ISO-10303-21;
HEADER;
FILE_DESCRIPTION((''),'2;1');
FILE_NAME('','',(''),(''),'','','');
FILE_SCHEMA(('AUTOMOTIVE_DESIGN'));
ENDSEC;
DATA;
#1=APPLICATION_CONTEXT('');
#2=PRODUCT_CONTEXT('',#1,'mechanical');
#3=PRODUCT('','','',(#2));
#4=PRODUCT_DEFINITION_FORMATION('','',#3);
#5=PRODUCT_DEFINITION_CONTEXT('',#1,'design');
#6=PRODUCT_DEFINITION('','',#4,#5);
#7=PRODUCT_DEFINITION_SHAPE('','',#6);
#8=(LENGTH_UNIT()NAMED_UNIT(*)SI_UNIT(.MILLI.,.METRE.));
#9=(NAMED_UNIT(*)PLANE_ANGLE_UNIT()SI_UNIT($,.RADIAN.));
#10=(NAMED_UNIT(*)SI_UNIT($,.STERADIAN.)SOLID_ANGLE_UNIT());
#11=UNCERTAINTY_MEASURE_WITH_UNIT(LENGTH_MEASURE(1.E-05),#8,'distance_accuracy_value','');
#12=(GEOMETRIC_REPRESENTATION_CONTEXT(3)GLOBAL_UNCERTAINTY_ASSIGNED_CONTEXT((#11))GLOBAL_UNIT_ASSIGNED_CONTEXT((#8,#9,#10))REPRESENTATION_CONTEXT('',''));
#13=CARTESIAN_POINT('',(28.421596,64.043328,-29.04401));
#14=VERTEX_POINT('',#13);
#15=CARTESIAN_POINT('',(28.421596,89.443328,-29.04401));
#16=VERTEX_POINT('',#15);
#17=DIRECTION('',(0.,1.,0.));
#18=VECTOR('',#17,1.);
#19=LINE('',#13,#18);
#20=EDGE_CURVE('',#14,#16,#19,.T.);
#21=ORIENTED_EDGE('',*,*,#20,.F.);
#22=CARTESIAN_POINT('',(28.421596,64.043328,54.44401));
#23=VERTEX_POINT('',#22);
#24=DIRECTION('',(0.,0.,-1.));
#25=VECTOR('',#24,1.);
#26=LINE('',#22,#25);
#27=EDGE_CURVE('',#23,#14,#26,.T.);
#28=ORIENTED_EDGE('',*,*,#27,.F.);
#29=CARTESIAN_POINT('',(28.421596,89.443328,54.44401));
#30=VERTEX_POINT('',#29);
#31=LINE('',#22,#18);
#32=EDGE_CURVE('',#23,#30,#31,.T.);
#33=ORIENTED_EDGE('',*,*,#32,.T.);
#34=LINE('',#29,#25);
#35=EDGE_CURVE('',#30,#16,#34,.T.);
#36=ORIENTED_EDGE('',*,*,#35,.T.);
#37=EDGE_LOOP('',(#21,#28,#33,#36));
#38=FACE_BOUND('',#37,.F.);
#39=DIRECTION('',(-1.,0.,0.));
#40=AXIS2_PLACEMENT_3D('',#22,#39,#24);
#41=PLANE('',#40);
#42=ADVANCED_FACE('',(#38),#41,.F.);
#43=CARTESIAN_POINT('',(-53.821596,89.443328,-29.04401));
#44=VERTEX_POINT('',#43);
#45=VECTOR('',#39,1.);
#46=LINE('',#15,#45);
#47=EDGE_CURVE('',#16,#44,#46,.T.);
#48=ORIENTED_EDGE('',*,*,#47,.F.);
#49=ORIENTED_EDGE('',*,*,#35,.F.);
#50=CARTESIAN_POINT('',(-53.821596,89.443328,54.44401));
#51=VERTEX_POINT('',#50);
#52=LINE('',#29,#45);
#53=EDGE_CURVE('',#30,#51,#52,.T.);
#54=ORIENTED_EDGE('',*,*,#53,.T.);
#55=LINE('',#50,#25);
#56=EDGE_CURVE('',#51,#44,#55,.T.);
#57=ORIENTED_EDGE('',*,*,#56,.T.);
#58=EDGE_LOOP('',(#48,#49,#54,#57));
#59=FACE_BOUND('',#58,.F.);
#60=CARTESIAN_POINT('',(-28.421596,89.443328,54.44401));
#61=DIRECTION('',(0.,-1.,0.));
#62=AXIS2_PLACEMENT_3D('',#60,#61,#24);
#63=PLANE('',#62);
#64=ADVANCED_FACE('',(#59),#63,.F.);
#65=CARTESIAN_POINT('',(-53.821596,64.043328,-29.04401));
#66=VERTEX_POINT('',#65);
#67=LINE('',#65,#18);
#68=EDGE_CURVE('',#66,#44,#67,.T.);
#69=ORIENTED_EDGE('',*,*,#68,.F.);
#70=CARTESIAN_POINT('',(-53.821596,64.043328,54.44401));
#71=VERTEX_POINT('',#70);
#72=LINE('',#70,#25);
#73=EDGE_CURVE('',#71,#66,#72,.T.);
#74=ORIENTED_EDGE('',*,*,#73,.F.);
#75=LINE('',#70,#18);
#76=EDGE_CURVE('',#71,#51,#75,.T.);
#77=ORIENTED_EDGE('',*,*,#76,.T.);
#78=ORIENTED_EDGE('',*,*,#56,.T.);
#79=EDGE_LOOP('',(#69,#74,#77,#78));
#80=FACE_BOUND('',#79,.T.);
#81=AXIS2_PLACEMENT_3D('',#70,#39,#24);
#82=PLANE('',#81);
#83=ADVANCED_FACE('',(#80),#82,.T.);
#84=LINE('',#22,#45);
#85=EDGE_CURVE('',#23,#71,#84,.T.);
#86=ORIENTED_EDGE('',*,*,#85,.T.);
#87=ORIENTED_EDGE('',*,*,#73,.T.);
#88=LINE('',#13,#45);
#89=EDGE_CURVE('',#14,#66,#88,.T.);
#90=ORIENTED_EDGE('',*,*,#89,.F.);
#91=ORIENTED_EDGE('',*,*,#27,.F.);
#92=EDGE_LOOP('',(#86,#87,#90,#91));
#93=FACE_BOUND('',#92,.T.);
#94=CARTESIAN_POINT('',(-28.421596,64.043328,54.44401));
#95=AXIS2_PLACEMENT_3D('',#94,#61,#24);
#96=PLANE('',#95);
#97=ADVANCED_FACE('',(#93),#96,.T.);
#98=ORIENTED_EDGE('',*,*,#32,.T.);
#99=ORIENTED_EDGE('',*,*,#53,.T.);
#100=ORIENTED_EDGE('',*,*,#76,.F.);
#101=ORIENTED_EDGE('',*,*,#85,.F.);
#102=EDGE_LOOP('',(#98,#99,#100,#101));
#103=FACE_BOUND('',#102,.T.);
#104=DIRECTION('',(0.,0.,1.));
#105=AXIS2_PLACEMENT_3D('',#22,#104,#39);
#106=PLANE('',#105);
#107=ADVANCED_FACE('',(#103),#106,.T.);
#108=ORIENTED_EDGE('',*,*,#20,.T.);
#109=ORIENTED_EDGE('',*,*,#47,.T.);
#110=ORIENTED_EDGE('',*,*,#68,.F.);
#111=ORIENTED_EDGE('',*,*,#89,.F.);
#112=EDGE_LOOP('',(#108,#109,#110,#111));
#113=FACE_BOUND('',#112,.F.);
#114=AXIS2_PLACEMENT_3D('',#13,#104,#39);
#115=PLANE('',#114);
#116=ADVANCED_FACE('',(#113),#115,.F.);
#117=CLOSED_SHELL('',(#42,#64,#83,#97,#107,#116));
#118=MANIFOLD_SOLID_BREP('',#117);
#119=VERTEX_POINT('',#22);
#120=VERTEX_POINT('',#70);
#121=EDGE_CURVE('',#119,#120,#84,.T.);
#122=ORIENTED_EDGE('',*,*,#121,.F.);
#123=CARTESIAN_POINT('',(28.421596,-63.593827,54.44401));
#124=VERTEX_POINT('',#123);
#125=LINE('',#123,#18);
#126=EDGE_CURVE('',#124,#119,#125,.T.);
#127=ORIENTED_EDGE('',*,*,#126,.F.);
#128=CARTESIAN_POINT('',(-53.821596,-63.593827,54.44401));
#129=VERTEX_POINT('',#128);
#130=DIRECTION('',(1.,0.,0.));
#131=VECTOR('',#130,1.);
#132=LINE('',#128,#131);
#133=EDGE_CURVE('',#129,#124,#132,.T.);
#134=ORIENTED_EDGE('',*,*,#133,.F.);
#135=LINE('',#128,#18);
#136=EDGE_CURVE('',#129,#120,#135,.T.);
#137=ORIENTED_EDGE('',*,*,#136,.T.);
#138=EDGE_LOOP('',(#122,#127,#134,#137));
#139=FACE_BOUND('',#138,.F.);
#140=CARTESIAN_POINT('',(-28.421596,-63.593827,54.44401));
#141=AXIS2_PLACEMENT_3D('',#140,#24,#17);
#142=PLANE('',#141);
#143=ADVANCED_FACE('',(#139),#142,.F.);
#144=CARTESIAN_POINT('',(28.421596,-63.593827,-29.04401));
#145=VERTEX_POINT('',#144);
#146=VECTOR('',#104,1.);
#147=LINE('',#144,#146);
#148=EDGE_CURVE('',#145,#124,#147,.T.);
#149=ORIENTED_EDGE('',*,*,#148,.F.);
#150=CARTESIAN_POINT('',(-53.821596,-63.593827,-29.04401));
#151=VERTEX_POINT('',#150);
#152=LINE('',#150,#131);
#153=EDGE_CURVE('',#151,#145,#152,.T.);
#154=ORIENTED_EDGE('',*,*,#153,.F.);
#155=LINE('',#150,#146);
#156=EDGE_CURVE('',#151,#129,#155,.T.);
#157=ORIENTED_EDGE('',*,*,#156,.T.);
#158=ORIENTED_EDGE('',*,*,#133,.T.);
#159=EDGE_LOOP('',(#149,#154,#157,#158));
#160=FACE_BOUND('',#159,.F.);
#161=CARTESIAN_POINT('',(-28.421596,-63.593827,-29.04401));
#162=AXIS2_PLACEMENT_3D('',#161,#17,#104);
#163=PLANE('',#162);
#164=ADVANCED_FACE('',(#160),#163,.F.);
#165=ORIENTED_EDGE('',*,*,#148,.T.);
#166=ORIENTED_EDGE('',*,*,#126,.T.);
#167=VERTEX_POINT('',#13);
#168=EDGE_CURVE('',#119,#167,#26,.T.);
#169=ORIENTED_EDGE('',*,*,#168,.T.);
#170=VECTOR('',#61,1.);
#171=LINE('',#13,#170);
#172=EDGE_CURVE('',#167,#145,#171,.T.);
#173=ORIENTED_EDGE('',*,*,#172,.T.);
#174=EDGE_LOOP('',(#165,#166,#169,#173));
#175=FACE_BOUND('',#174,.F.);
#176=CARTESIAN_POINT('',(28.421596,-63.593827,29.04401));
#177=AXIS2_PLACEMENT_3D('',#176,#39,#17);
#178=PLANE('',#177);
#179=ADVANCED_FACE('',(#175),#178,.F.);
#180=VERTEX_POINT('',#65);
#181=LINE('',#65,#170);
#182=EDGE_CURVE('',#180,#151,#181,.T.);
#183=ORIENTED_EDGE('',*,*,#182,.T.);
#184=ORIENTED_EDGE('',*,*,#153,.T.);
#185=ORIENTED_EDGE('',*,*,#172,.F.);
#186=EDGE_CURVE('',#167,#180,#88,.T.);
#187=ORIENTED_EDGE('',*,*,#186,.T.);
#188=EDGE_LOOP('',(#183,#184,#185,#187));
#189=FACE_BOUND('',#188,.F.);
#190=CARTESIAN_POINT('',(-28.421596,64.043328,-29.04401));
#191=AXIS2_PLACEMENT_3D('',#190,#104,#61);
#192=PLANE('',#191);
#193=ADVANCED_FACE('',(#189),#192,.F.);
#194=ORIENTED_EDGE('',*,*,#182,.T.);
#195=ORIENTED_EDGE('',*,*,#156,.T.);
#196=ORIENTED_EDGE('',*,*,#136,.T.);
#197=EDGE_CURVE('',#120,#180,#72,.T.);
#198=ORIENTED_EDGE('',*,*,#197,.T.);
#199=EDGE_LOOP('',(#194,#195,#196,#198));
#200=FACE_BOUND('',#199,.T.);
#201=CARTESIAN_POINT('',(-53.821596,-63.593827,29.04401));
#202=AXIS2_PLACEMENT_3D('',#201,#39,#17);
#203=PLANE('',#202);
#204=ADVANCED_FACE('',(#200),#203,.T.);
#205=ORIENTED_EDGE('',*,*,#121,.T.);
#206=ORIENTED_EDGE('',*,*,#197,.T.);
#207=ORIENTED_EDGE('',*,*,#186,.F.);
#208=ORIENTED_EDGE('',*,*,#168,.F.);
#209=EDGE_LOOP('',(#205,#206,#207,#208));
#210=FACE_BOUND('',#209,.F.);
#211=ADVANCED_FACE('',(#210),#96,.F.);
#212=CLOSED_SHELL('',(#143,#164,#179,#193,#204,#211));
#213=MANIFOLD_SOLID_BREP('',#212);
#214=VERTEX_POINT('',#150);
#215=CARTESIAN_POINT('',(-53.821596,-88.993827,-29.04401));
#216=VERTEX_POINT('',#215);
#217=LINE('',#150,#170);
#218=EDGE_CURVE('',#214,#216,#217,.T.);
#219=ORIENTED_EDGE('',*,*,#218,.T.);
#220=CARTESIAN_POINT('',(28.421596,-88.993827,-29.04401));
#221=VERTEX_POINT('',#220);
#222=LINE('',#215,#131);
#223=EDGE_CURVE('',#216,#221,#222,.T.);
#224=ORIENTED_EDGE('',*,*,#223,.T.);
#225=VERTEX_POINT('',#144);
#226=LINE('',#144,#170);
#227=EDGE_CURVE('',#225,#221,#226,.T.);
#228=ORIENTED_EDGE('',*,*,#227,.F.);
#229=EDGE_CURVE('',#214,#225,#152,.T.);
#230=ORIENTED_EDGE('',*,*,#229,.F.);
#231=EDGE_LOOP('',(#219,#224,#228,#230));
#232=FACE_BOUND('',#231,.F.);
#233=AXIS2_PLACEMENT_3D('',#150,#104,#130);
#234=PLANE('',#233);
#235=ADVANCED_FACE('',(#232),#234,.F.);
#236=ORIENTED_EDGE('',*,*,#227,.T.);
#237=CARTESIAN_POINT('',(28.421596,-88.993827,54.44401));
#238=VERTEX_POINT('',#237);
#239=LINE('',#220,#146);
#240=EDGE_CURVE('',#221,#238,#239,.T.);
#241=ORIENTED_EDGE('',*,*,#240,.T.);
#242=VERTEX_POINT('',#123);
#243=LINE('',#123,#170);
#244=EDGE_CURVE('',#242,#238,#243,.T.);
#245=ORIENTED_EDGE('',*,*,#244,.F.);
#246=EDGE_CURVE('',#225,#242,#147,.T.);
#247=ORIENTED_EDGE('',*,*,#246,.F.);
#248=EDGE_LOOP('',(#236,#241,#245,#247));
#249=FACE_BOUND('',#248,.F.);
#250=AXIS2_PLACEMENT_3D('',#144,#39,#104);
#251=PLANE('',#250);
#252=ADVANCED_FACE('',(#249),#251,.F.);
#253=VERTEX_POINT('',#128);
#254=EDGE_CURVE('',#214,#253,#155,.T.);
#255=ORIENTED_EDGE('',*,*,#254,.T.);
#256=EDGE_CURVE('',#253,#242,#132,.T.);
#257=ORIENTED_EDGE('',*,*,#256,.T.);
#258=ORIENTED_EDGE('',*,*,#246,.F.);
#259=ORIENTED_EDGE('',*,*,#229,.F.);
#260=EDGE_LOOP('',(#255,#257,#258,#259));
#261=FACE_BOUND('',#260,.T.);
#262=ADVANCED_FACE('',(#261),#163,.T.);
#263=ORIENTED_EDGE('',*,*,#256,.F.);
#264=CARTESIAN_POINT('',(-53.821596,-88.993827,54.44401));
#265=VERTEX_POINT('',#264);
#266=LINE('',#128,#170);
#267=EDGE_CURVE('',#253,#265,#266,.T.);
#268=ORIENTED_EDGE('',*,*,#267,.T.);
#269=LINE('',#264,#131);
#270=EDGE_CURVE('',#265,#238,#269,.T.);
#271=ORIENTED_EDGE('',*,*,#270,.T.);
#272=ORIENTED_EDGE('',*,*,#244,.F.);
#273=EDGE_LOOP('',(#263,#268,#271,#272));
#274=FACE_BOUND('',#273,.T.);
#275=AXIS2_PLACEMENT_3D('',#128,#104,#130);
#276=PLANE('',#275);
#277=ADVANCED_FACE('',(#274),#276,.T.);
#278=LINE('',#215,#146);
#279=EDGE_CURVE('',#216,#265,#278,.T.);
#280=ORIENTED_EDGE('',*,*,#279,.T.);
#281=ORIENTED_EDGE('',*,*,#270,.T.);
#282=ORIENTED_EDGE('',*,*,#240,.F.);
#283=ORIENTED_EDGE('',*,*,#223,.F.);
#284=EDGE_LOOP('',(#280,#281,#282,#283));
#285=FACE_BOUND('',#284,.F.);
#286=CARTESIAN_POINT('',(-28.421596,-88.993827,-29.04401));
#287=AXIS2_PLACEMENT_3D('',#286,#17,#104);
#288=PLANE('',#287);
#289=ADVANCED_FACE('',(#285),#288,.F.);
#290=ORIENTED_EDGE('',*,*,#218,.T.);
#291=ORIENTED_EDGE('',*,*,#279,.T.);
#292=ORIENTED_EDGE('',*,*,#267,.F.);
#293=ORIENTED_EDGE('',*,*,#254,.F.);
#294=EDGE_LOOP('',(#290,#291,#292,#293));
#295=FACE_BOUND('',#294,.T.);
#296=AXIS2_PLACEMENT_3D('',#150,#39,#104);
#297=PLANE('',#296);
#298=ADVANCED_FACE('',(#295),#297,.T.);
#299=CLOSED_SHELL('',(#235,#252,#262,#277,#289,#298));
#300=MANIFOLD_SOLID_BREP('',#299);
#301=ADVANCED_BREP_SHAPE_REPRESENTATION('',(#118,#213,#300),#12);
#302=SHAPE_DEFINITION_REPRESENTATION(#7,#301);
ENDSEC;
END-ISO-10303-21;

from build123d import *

# Parameters (mm, degrees)
F0_W     = 56.8431913853
F0_H     = 58.0880194902
F1_DEPTH = 64.043328166
F2_DEPTH = 63.593827188
F3_DEPTH = 25.4
F4_DEPTH = 25.4
F5_DEPTH = 25.4
F6_DEPTH = 25.4


with BuildPart() as f1:
    # F0 (on Front) → F1 (new body)
    with BuildSketch(Plane.XZ):
        Rectangle(F0_W, F0_H)
    extrude(amount=-F1_DEPTH)

    # F2 (add): a face of the model
    f2_faces = [f1.faces().sort_by_distance(p)[0] for p in [
        (0, 0, 0),
    ]]
    extrude(f2_faces, amount=F2_DEPTH)

    # F3 (add): a face of the model
    f3_faces = [f1.faces().sort_by_distance(p)[0] for p in [
        (0, 0.224750489, 29.0440097451),
    ]]
    extrude(f3_faces, amount=F3_DEPTH)

    # F4 (add): a face of the model
    f4_faces = [f1.faces().sort_by_distance(p)[0] for p in [
        (-28.4215956926, 0.224750489, 12.7),
    ]]
    extrude(f4_faces, amount=F4_DEPTH)


with BuildPart() as f5:
    # F5 (new): a face of the model
    f5_faces = [f1.part.faces().sort_by_distance(p)[0] for p in [
        (-12.7, -63.593827188, 12.7),
    ]]
    extrude(f5_faces, amount=F5_DEPTH)


with BuildPart() as f6:
    # F6 (new): a face of the model
    f6_faces = [f1.part.faces().sort_by_distance(p)[0] for p in [
        (-12.7, 64.043328166, 12.7),
    ]]
    extrude(f6_faces, amount=F6_DEPTH)


solid = Compound([f1.part, f5.part, f6.part])
